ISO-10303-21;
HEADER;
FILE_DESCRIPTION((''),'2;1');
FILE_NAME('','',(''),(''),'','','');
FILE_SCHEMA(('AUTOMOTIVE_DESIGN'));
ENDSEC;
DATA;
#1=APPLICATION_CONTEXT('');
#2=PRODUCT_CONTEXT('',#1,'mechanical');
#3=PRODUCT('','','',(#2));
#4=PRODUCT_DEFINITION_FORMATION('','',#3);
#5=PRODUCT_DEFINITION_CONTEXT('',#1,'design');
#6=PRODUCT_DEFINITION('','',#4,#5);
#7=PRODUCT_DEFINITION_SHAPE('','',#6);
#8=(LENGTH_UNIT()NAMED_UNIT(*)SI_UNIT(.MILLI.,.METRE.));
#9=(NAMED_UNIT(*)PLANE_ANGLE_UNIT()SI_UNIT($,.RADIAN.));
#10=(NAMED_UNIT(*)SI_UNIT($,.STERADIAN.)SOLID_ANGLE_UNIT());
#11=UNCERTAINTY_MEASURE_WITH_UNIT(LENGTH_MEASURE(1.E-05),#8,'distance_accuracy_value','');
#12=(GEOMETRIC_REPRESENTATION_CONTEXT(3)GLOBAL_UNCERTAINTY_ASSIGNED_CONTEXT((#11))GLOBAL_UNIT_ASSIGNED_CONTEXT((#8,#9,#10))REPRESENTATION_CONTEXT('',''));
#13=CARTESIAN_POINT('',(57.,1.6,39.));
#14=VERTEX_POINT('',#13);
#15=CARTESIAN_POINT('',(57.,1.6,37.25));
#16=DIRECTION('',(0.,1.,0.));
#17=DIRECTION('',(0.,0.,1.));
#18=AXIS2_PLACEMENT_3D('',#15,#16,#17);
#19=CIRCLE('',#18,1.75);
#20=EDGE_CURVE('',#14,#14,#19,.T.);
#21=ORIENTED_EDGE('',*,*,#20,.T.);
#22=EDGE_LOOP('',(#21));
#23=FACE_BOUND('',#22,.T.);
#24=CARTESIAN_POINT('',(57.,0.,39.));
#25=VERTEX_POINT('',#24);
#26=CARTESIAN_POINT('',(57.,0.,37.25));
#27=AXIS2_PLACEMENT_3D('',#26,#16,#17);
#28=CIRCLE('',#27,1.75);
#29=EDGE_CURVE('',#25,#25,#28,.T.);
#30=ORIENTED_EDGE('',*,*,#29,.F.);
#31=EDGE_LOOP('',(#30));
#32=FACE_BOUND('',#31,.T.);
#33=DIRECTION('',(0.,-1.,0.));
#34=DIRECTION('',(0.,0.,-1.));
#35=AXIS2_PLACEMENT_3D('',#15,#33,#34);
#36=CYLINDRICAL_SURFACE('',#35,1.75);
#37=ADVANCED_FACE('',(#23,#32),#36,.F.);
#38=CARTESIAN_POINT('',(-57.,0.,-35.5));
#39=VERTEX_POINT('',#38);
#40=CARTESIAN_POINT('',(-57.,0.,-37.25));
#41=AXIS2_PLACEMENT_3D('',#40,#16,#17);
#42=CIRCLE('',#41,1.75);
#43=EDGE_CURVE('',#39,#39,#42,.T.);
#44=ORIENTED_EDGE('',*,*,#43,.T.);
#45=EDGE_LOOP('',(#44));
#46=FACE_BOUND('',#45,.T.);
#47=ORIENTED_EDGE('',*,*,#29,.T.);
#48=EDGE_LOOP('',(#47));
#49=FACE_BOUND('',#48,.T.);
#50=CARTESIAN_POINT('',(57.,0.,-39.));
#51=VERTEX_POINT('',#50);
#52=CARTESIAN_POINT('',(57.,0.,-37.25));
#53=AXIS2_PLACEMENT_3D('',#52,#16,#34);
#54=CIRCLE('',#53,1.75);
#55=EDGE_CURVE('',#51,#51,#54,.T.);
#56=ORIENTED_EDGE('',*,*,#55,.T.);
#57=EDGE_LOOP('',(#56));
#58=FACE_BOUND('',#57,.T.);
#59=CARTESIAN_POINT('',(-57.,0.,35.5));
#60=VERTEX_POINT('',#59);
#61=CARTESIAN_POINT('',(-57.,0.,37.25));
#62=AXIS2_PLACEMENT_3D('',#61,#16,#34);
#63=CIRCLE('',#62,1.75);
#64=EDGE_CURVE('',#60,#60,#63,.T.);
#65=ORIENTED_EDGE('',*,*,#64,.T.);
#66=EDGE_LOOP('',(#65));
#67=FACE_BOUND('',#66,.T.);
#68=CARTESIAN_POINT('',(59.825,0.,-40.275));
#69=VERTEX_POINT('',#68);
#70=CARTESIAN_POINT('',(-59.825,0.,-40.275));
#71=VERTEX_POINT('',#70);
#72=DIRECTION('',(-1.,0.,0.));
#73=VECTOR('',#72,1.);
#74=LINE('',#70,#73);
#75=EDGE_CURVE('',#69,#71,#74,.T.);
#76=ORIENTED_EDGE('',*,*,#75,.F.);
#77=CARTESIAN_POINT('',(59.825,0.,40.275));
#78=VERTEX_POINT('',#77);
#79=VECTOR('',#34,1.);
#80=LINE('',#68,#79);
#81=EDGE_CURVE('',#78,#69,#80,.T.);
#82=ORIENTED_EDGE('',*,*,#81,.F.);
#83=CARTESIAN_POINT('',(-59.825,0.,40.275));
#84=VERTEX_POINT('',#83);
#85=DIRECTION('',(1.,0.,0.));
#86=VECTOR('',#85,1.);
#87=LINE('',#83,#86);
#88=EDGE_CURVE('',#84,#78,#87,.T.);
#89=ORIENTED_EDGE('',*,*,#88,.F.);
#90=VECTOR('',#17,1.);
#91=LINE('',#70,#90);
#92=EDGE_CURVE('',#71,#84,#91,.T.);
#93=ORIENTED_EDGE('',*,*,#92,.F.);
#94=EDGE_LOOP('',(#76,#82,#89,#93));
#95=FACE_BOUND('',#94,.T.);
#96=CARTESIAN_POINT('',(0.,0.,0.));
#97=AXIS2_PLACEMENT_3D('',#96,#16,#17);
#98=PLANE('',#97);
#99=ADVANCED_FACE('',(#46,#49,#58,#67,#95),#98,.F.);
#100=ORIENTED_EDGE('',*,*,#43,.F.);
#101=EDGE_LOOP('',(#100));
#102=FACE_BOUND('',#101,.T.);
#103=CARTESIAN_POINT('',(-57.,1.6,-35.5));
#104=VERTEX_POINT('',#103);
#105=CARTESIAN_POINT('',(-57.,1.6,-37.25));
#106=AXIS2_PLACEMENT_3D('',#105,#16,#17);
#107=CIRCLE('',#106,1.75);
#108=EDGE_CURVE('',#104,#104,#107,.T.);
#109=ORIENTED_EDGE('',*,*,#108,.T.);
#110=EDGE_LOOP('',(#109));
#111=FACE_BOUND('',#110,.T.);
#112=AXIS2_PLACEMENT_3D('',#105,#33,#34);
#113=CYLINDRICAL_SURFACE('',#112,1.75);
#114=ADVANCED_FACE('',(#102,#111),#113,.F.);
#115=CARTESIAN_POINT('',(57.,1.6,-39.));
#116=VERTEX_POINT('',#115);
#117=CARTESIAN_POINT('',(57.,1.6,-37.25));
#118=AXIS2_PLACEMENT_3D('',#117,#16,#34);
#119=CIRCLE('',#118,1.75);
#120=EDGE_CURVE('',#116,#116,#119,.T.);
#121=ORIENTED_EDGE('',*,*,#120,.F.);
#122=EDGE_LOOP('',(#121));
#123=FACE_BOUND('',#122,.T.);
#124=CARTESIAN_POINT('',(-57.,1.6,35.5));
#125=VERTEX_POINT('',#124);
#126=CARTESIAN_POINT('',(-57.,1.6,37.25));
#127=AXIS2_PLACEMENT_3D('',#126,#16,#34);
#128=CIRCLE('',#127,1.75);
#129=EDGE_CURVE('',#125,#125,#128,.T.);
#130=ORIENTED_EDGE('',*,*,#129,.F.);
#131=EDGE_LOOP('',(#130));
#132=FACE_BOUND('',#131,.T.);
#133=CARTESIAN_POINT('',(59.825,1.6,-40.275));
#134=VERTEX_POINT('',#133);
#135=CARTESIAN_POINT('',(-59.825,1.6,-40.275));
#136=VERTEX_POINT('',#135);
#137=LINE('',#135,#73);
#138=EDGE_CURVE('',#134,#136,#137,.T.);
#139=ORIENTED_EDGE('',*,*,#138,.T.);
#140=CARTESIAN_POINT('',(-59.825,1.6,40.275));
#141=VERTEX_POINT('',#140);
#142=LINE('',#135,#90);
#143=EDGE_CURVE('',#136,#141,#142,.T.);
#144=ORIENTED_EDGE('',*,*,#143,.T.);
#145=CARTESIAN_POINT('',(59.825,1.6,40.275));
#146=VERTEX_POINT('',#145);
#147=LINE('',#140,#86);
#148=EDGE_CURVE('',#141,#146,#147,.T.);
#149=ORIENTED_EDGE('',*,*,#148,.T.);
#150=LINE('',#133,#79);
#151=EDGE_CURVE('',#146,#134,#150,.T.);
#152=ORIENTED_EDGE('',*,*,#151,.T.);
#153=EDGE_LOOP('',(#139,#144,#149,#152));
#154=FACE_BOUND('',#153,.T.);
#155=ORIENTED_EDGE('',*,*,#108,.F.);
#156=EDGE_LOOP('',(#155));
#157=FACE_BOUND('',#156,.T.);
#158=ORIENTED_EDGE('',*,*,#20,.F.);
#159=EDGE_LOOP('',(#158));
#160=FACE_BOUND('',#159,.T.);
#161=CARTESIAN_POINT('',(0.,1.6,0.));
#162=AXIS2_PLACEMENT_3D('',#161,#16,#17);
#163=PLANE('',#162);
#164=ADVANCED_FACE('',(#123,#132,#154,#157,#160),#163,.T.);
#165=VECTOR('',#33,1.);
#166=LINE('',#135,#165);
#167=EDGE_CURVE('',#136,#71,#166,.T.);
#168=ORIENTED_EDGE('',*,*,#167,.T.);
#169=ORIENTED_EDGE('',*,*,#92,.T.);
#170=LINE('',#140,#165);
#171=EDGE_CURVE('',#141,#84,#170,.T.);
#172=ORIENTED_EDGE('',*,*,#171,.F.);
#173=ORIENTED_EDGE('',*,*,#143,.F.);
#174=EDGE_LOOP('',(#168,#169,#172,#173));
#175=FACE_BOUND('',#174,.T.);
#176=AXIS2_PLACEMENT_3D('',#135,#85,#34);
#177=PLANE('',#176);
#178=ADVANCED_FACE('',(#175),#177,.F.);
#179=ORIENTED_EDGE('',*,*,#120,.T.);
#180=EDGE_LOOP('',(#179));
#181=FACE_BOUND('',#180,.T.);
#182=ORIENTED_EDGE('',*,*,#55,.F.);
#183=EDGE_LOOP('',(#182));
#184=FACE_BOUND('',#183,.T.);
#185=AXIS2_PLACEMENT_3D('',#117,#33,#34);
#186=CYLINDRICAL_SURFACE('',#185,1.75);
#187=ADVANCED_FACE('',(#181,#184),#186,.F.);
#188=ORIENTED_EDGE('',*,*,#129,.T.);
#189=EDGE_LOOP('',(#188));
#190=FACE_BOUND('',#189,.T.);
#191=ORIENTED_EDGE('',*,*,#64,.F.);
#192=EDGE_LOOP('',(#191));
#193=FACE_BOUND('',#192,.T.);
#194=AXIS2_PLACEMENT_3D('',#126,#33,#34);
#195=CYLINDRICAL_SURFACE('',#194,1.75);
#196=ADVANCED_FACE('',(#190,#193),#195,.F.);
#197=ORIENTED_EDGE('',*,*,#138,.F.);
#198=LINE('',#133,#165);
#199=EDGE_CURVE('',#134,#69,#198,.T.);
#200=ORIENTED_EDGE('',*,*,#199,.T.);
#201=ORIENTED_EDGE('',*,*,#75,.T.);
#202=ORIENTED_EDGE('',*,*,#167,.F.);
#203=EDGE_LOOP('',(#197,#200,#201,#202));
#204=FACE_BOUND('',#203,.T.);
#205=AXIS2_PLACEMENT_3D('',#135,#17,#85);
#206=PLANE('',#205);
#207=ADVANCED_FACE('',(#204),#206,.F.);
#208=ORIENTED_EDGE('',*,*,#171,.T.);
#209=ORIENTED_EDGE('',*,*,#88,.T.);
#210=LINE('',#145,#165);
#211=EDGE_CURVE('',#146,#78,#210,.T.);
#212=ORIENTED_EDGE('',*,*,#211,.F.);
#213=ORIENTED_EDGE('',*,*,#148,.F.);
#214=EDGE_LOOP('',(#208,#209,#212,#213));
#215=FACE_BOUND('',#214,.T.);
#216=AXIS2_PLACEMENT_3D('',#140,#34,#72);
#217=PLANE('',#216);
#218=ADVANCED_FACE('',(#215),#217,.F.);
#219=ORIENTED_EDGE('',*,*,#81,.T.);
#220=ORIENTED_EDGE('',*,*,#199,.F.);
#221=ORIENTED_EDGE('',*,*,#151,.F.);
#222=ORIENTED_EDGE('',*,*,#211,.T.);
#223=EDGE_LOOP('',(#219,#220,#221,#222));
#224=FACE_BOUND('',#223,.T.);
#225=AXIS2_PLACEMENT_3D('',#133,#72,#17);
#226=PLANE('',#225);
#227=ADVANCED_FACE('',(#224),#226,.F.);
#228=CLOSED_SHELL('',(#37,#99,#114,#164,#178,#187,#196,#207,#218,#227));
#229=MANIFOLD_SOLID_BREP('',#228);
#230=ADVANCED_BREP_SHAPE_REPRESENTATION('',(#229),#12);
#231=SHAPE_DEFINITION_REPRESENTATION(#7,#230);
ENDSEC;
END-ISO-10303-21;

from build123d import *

# Parameters (mm, degrees)
SKETCH1_W           = 119.65
SKETCH1_H           = 80.55
SKETCH1_R           = 1.75
BOSS_EXTRUDE1_DEPTH = 1.6


with BuildPart() as part:
    # Sketch1 → Boss-Extrude1 (new body)
    with BuildSketch(Plane(origin=(0, 0, 0), x_dir=(1, 0, 0), z_dir=(0, 1, 0))):
        Rectangle(SKETCH1_W, SKETCH1_H)
        with Locations((-57, 37.25)):
            Circle(SKETCH1_R, mode=Mode.SUBTRACT)
        with Locations((57, 37.25)):
            Circle(SKETCH1_R, mode=Mode.SUBTRACT)
        with Locations((57, -37.25)):
            Circle(SKETCH1_R, mode=Mode.SUBTRACT)
        with Locations((-57, -37.25)):
            Circle(SKETCH1_R, mode=Mode.SUBTRACT)
    extrude(amount=BOSS_EXTRUDE1_DEPTH)


solid = part.part
